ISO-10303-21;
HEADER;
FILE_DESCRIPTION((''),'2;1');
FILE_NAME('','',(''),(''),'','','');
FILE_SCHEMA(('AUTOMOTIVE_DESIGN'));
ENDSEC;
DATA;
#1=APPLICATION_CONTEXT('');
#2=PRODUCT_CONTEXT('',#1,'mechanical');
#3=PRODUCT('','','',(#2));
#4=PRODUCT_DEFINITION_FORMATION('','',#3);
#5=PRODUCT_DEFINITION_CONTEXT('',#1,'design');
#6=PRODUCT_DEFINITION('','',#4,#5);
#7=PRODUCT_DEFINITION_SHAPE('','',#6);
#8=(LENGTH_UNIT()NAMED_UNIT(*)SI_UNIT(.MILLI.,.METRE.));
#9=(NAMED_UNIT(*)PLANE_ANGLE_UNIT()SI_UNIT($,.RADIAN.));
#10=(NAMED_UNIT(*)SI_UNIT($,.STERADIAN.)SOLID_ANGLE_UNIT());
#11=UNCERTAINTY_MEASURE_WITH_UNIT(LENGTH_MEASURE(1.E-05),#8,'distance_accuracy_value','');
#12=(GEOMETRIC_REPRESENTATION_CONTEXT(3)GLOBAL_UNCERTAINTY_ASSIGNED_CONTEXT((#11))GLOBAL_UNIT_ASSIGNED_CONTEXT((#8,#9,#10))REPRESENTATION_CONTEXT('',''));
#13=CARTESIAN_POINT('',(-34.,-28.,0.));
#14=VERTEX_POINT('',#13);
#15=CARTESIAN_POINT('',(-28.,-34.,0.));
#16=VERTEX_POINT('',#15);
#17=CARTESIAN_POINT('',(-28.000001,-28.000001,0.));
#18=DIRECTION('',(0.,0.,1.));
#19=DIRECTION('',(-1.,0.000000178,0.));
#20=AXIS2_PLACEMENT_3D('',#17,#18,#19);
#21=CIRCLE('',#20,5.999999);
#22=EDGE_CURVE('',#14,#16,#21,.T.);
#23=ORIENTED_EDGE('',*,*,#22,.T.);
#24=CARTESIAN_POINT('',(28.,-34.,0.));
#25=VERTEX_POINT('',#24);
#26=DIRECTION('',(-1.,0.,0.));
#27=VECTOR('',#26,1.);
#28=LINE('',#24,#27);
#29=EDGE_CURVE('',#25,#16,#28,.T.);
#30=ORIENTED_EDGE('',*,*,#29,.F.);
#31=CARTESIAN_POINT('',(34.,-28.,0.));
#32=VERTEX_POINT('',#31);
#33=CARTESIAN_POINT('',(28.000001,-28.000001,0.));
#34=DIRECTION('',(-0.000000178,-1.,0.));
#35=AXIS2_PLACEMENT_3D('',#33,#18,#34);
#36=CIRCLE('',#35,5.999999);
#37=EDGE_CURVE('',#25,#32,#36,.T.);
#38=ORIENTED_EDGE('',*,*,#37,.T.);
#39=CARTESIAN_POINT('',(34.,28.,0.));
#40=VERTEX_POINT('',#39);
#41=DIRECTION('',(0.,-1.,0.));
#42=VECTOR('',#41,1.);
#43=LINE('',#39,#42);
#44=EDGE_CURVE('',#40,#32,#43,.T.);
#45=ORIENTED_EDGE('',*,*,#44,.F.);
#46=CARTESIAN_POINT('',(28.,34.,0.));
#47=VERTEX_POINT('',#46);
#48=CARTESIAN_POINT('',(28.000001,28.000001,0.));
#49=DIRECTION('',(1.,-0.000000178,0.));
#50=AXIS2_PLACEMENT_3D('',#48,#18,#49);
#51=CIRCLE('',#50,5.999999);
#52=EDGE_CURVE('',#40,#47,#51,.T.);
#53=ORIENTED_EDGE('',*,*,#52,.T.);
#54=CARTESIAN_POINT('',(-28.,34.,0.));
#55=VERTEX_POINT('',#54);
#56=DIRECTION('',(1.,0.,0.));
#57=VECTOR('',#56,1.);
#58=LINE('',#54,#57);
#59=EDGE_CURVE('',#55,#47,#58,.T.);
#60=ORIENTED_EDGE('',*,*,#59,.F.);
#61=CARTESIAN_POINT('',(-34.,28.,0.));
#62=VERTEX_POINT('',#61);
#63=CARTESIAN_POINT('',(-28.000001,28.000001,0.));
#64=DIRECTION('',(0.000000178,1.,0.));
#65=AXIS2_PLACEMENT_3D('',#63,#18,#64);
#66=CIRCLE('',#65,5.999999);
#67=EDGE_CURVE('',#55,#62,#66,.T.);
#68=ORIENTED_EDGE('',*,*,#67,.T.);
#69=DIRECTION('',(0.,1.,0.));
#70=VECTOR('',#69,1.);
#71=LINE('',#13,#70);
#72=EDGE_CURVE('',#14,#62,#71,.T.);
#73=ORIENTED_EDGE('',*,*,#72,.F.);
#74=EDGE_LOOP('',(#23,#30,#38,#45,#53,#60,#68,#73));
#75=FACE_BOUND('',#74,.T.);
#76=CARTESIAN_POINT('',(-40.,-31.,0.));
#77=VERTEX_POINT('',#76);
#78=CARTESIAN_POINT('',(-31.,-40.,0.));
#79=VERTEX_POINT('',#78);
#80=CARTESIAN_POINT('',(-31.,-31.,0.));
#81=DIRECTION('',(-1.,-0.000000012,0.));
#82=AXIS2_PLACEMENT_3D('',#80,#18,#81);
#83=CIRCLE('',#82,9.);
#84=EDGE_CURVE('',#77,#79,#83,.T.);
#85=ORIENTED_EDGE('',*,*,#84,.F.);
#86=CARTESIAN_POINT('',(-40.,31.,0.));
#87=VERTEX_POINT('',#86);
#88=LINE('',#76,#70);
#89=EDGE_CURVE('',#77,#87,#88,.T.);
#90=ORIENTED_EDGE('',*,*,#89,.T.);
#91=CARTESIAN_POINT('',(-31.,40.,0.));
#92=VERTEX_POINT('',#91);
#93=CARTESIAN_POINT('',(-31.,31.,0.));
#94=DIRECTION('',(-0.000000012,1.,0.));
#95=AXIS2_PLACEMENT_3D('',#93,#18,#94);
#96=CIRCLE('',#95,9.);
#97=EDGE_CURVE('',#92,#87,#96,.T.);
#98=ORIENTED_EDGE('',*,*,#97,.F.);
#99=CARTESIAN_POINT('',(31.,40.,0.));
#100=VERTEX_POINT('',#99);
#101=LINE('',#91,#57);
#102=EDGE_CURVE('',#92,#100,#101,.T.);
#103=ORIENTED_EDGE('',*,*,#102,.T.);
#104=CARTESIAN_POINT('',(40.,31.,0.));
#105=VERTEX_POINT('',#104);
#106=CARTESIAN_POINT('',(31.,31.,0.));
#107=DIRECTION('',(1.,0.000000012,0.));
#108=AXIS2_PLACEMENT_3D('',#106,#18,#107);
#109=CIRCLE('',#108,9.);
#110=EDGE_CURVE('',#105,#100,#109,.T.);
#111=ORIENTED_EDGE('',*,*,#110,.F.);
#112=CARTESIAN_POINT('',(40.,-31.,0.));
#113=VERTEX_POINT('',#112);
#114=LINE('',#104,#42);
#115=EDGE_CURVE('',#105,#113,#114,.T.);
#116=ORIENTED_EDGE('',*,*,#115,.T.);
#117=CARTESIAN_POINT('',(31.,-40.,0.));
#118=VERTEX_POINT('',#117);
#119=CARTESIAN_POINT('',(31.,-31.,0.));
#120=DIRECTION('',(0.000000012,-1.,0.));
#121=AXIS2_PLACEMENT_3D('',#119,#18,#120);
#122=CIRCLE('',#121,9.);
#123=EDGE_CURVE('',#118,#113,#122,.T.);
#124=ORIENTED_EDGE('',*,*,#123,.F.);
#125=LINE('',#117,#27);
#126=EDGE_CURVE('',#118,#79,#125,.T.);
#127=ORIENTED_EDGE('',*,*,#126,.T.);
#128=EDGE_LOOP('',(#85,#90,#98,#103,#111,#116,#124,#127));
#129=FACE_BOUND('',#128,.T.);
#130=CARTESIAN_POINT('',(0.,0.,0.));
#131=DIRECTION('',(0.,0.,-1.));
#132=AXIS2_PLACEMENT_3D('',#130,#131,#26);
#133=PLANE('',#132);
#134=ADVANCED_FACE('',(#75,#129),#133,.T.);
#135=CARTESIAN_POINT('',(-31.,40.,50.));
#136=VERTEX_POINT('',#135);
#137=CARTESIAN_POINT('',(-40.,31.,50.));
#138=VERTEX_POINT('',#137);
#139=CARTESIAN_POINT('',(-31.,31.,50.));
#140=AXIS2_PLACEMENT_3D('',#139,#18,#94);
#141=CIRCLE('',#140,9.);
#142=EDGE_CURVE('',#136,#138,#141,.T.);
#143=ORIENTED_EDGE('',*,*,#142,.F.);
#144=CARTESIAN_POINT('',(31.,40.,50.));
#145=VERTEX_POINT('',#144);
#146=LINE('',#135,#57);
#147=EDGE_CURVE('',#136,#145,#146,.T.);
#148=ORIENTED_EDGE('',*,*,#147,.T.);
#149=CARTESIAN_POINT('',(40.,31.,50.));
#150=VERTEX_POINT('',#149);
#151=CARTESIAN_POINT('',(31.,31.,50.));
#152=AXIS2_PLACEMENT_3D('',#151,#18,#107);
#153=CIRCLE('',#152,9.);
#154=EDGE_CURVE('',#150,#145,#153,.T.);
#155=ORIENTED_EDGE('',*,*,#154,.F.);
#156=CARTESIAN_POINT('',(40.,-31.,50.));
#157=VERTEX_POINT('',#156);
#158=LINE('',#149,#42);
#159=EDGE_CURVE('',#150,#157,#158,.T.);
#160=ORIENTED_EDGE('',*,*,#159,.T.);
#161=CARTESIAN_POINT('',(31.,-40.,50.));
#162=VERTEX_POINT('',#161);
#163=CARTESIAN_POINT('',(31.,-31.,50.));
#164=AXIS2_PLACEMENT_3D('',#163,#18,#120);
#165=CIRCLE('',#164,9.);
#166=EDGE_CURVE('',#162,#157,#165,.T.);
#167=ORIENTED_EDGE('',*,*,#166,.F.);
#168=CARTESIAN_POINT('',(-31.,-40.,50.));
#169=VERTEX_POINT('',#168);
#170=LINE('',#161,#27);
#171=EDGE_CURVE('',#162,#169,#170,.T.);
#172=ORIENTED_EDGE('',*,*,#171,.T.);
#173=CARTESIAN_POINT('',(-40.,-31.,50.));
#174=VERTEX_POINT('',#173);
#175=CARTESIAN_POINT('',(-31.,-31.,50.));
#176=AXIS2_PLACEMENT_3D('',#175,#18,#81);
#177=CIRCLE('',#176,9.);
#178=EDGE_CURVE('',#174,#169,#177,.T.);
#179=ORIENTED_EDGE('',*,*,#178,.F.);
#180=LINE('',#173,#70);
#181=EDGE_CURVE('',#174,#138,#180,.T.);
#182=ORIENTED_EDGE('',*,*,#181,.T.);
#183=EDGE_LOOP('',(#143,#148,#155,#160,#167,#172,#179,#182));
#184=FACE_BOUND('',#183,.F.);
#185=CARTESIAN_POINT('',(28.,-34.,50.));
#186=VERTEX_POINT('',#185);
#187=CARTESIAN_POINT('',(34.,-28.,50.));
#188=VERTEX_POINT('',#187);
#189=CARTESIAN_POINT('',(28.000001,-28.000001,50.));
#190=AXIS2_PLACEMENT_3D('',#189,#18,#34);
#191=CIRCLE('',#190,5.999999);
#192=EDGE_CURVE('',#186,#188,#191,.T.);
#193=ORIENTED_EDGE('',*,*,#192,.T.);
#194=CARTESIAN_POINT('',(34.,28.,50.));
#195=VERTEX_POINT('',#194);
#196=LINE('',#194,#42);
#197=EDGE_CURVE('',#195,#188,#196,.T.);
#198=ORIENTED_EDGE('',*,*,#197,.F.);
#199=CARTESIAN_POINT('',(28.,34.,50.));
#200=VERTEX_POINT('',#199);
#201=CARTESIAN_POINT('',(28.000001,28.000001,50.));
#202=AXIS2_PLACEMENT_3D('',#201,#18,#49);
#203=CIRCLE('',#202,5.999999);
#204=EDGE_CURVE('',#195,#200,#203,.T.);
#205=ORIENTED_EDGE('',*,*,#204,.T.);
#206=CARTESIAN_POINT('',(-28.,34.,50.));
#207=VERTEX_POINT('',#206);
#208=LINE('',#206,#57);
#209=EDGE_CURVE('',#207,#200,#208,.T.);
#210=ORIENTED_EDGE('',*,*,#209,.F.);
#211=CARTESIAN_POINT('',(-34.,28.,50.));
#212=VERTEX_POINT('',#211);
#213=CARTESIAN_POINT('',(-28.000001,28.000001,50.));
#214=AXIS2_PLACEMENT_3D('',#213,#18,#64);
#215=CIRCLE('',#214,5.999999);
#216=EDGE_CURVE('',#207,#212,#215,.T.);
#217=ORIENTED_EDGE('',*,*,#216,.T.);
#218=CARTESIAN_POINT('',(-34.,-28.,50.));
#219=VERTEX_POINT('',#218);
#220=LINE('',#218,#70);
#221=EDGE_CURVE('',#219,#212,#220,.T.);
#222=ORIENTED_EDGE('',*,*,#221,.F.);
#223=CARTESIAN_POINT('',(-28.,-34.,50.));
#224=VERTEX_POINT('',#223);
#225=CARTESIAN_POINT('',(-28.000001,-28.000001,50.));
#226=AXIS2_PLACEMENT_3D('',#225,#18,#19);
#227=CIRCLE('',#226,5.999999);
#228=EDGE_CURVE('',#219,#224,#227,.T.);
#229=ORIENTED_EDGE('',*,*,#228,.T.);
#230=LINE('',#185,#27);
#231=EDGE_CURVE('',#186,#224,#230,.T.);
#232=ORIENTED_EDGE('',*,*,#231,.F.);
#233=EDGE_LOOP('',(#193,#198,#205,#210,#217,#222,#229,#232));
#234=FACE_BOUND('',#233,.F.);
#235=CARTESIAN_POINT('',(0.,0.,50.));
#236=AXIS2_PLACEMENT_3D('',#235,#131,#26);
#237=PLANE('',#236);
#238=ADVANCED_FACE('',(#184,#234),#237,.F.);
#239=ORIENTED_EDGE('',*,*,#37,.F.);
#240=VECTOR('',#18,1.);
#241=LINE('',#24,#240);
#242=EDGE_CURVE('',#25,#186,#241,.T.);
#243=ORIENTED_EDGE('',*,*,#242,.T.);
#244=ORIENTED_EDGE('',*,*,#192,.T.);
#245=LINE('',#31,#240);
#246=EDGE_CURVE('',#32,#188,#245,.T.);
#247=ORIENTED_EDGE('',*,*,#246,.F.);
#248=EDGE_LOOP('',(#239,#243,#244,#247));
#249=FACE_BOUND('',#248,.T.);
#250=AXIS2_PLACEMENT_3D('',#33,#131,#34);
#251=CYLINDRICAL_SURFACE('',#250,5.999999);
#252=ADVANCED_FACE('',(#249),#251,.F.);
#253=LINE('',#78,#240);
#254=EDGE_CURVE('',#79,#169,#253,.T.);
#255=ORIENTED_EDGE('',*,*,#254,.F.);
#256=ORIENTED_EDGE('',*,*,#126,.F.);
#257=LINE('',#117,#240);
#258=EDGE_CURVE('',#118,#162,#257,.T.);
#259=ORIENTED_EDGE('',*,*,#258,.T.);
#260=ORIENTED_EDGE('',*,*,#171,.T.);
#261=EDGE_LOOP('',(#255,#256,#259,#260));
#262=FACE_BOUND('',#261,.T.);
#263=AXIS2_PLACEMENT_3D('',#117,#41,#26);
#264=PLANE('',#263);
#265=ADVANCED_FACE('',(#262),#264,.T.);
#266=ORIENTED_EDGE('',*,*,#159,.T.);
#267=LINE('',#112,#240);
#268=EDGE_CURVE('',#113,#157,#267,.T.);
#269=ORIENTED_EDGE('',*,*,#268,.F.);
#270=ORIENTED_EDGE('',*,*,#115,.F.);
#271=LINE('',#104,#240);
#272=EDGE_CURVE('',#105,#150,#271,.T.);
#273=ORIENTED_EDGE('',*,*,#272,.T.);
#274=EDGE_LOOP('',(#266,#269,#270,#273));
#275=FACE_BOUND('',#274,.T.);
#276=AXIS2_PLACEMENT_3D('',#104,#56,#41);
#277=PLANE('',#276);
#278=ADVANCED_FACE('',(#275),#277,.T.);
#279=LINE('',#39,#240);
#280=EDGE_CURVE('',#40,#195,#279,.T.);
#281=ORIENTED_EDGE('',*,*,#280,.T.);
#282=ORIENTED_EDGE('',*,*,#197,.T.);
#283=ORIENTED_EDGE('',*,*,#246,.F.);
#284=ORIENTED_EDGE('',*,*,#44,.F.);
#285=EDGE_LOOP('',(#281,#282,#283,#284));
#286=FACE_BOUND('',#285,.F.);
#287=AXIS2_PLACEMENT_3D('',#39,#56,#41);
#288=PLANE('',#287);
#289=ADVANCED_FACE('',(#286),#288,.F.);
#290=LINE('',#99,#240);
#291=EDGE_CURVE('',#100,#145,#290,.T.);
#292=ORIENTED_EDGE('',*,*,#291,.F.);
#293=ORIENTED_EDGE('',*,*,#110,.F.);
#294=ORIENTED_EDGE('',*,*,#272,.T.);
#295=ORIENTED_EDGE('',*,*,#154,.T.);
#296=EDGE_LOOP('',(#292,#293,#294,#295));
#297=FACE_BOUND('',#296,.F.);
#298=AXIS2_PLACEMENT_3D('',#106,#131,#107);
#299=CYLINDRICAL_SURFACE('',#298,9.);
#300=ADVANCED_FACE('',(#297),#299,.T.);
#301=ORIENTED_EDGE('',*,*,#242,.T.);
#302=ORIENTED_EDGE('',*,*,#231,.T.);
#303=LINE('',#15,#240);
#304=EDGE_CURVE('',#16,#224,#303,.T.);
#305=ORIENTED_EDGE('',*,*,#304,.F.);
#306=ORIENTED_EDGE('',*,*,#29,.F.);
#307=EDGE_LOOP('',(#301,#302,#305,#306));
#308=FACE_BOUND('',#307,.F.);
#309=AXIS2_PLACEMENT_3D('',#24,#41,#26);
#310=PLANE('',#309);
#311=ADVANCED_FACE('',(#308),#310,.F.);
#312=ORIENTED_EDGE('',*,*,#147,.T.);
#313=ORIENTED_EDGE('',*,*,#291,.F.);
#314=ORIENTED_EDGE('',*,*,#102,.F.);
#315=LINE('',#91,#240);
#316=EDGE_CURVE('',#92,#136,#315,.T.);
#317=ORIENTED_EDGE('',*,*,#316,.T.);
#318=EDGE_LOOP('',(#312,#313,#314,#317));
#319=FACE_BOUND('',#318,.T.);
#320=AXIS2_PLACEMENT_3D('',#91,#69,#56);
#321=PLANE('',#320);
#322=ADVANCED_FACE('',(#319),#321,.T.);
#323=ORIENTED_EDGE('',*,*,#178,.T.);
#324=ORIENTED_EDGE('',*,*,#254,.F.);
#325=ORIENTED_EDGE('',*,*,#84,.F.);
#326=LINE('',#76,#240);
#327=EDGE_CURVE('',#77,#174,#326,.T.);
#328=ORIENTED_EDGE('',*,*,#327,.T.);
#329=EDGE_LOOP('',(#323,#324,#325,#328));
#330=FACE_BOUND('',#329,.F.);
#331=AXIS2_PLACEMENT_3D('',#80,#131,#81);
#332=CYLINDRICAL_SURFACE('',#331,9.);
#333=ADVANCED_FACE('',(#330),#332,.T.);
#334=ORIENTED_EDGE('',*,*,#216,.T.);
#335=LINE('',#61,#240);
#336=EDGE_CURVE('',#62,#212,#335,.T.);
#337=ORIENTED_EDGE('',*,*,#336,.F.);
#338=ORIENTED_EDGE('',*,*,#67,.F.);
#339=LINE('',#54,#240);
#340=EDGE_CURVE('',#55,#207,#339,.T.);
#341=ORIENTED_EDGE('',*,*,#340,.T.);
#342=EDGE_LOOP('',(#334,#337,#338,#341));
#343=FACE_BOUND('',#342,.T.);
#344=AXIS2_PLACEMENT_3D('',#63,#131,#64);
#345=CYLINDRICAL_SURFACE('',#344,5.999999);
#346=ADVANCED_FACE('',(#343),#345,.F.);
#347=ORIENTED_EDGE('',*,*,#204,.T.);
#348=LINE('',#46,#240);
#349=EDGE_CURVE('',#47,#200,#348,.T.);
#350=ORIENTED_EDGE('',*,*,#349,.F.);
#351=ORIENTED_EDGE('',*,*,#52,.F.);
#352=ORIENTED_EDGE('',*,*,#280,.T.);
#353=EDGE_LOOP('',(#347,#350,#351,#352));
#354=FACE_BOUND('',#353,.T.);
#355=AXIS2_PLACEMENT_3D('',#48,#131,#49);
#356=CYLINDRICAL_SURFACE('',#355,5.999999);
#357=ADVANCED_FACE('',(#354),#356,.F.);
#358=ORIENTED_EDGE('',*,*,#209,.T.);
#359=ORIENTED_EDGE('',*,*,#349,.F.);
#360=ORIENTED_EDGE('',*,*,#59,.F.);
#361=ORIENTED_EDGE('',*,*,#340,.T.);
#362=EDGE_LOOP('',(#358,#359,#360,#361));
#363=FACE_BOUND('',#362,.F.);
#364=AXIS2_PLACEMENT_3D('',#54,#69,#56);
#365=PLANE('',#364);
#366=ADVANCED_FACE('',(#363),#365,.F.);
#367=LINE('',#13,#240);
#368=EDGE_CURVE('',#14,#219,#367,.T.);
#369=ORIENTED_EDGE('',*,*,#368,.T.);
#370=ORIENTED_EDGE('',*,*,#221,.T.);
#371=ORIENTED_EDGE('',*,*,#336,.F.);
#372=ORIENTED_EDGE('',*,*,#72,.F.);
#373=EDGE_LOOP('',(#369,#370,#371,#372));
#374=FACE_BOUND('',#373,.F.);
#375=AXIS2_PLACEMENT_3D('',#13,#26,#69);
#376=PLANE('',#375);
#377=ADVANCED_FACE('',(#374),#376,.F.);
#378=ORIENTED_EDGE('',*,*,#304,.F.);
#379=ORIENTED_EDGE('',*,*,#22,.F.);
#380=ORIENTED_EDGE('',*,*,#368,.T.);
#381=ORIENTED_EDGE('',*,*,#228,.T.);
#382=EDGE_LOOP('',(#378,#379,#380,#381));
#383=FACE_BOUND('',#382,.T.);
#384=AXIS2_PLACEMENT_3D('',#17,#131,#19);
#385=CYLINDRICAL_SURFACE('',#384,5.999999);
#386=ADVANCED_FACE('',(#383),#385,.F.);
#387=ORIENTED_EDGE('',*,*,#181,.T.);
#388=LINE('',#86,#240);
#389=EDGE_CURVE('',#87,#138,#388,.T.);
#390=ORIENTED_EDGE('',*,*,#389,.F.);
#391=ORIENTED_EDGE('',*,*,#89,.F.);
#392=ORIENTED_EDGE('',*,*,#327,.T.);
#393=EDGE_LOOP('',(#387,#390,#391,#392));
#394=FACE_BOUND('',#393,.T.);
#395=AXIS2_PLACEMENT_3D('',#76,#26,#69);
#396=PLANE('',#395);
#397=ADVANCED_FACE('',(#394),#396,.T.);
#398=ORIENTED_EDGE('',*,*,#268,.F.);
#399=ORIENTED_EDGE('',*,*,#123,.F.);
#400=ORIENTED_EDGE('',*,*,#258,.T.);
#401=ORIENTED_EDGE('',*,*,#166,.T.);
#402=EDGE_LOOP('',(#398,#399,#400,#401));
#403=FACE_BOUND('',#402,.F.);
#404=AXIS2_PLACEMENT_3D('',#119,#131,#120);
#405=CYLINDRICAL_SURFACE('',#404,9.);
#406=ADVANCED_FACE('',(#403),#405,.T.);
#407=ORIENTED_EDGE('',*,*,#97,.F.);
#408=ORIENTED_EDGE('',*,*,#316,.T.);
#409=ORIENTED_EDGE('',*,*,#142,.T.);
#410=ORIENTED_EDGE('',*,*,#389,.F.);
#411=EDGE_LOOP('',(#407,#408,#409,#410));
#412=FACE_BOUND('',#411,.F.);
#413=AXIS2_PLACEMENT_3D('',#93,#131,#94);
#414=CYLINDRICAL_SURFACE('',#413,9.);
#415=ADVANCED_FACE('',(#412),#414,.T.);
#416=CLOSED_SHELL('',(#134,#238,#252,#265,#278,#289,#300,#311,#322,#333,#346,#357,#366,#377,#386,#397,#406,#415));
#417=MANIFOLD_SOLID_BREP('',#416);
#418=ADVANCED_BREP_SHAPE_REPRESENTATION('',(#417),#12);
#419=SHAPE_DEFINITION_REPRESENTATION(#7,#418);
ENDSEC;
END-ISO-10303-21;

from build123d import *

# Parameters (mm, degrees)
EXTRUDE_DEPTH = 50


with BuildPart() as part:
    # Sketch → Extrude (new body)
    with BuildSketch(Plane.XY):
        with BuildLine():
            Line((-31, 40), (31, 40))
            ThreePointArc((40, 31), (37.363961, 37.363961), (31, 40))
            Line((40, 31), (40, -31))
            ThreePointArc((31, -40), (37.363961, -37.363961), (40, -31))
            Line((31, -40), (-31, -40))
            ThreePointArc((-40, -31), (-37.363961, -37.363961), (-31, -40))
            Line((-40, -31), (-40, 31))
            ThreePointArc((-31, 40), (-37.363961, 37.363961), (-40, 31))
        make_face()
        with BuildLine():
            Line((-28, 34), (28, 34))
            ThreePointArc((34, 28), (32.242641, 32.242641), (28, 34))
            Line((34, 28), (34, -28))
            ThreePointArc((28, -34), (32.242641, -32.242641), (34, -28))
            Line((28, -34), (-28, -34))
            ThreePointArc((-34, -28), (-32.242641, -32.242641), (-28, -34))
            Line((-34, -28), (-34, 28))
            ThreePointArc((-28, 34), (-32.242641, 32.242641), (-34, 28))
        make_face(mode=Mode.SUBTRACT)
    extrude(amount=EXTRUDE_DEPTH)


solid = part.part
